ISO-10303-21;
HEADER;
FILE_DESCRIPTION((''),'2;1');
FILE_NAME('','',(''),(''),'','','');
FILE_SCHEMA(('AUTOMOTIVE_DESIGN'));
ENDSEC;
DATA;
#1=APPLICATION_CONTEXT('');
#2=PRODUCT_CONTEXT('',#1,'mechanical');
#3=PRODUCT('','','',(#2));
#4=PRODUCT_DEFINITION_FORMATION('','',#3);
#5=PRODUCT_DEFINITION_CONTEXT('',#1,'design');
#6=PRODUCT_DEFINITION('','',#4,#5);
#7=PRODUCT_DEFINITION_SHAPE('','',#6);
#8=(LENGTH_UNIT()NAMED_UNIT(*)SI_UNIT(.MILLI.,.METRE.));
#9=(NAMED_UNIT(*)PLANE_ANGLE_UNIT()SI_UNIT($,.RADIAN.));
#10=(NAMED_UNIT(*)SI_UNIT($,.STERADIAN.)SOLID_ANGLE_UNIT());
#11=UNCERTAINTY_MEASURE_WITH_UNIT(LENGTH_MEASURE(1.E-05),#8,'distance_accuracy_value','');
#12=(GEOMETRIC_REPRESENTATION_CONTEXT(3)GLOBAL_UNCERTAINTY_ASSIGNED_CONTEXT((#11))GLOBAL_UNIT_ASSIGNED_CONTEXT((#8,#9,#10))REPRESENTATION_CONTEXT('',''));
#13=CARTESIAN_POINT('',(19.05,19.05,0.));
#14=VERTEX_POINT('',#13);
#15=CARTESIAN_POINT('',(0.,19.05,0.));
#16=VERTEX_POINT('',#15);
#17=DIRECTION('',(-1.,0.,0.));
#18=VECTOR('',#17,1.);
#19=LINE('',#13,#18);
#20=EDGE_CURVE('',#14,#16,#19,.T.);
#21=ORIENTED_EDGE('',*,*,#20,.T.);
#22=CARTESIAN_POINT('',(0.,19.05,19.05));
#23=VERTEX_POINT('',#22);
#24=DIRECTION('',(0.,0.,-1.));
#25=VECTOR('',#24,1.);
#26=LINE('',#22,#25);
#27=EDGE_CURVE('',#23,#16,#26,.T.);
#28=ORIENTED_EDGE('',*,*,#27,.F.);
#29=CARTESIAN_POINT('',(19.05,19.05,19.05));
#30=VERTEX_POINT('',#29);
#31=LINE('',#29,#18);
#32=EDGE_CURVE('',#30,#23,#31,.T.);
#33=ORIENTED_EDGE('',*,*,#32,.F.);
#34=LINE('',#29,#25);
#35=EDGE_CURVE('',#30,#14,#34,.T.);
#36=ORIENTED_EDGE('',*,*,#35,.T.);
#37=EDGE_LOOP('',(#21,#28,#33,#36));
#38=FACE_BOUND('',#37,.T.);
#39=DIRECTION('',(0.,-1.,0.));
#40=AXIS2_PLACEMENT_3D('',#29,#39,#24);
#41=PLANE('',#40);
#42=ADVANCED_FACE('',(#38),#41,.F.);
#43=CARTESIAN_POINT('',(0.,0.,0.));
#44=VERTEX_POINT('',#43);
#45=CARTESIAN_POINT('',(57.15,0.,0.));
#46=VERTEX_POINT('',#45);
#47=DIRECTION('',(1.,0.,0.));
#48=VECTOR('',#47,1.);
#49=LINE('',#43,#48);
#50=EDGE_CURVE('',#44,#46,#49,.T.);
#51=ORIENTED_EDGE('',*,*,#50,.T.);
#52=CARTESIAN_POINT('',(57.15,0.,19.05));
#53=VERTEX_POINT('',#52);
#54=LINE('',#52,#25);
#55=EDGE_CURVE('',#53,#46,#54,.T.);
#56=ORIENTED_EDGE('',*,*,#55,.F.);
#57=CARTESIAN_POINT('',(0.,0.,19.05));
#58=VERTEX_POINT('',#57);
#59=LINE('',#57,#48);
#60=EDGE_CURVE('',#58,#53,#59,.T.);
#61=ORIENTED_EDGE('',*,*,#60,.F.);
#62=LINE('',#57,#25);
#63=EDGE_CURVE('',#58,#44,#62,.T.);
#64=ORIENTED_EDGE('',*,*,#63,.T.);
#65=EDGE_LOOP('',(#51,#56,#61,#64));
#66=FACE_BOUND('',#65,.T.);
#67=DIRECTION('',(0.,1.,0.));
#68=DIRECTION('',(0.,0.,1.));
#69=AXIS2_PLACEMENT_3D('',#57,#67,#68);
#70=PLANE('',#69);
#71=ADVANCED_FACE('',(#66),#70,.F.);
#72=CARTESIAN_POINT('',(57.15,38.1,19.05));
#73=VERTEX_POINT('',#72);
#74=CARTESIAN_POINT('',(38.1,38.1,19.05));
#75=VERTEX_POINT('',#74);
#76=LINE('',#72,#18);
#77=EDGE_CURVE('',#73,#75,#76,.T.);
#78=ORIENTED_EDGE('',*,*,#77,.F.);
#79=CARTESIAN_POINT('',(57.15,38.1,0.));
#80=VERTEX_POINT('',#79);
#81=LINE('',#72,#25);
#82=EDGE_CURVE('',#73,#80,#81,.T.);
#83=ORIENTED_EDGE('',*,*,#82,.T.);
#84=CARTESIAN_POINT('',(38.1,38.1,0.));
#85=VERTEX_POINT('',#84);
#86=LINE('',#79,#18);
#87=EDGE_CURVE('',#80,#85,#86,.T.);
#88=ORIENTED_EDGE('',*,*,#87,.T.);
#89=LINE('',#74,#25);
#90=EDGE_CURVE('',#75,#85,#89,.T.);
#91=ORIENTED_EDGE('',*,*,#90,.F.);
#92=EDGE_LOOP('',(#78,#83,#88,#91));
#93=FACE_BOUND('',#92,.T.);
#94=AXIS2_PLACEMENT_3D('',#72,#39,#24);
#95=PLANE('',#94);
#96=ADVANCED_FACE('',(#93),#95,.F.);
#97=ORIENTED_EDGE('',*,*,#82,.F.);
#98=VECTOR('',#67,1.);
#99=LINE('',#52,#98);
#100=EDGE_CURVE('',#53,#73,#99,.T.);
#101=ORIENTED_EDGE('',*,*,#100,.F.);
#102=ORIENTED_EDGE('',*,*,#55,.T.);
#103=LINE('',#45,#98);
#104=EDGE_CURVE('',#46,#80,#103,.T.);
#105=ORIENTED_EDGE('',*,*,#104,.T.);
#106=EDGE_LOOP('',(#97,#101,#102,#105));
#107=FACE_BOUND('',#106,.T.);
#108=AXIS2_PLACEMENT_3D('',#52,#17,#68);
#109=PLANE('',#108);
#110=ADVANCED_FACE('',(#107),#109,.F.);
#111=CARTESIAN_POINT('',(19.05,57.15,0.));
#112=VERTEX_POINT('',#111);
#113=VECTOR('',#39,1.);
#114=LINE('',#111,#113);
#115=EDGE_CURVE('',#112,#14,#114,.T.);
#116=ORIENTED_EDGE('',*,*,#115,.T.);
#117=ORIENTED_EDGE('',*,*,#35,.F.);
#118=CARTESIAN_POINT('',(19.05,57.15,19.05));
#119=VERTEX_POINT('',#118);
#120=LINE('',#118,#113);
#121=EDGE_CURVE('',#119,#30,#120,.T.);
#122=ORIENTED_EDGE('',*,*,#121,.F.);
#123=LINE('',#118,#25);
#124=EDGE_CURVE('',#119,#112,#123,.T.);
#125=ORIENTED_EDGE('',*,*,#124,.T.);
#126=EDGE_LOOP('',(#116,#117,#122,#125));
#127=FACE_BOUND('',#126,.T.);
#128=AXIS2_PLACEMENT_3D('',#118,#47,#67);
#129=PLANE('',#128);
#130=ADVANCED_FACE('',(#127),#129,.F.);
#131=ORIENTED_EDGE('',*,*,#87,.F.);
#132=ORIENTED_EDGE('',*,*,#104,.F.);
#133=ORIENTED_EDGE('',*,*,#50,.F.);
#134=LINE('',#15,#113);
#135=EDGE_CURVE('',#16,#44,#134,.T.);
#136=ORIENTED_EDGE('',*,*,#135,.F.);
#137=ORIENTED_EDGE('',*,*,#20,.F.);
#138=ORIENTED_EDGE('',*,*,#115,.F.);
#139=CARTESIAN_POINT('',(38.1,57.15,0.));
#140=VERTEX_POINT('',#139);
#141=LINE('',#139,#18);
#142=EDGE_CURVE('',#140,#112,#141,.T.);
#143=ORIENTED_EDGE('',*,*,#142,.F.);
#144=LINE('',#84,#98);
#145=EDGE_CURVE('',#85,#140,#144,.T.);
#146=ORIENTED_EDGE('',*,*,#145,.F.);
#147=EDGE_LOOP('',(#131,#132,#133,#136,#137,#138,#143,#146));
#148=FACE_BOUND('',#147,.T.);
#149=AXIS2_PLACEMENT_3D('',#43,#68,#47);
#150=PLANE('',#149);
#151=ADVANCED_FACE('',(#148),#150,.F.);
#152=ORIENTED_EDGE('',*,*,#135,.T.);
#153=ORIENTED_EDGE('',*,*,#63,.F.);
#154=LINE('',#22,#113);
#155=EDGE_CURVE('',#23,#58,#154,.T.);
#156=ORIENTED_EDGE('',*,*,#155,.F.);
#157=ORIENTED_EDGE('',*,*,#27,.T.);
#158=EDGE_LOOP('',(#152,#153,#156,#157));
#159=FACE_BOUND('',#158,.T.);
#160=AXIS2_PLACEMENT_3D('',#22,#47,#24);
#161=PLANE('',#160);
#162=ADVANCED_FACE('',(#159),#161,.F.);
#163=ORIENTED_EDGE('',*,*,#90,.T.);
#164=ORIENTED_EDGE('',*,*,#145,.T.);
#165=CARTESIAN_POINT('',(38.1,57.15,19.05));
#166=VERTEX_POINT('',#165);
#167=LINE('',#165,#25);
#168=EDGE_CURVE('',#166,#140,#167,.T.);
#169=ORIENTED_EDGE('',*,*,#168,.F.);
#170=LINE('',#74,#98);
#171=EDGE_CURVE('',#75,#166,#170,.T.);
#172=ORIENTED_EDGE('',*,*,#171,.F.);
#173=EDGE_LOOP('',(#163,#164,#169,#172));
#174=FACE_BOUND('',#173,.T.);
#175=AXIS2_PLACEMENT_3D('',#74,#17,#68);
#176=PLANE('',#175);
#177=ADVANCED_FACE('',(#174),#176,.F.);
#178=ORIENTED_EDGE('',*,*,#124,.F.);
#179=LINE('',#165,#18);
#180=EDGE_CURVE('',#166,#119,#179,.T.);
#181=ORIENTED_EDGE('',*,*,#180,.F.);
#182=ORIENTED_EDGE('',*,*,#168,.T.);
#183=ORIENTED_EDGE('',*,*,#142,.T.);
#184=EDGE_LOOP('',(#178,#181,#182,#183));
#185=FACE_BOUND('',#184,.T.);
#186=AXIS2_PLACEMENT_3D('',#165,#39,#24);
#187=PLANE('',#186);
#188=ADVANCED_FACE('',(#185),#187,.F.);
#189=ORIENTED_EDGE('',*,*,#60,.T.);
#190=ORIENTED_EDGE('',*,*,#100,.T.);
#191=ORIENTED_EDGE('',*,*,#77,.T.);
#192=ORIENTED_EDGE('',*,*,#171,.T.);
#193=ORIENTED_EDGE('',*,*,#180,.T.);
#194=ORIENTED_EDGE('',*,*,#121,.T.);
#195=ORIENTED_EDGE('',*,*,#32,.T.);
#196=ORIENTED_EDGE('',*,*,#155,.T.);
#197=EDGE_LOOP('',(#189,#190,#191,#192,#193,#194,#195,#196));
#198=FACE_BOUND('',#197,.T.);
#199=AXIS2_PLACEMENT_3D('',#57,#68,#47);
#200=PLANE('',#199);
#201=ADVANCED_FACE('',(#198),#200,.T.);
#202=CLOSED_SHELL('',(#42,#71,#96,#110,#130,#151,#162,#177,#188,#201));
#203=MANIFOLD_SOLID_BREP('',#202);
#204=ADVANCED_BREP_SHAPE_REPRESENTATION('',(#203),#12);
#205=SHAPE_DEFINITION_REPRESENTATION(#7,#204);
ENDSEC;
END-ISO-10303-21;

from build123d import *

# Parameters (mm, degrees)
BOSS_EXTRUDE1_DEPTH = 19.05


with BuildPart() as part:
    # Sketch1 → Boss-Extrude1 (new body)
    with BuildSketch(Plane.XY):
        Polygon((0, 0), (57.15, 0), (57.15, 38.1), (38.1, 38.1), (38.1, 57.15), (19.05, 57.15), (19.05, 19.05), (0, 19.05), align=None)
    extrude(amount=BOSS_EXTRUDE1_DEPTH)


solid = part.part
